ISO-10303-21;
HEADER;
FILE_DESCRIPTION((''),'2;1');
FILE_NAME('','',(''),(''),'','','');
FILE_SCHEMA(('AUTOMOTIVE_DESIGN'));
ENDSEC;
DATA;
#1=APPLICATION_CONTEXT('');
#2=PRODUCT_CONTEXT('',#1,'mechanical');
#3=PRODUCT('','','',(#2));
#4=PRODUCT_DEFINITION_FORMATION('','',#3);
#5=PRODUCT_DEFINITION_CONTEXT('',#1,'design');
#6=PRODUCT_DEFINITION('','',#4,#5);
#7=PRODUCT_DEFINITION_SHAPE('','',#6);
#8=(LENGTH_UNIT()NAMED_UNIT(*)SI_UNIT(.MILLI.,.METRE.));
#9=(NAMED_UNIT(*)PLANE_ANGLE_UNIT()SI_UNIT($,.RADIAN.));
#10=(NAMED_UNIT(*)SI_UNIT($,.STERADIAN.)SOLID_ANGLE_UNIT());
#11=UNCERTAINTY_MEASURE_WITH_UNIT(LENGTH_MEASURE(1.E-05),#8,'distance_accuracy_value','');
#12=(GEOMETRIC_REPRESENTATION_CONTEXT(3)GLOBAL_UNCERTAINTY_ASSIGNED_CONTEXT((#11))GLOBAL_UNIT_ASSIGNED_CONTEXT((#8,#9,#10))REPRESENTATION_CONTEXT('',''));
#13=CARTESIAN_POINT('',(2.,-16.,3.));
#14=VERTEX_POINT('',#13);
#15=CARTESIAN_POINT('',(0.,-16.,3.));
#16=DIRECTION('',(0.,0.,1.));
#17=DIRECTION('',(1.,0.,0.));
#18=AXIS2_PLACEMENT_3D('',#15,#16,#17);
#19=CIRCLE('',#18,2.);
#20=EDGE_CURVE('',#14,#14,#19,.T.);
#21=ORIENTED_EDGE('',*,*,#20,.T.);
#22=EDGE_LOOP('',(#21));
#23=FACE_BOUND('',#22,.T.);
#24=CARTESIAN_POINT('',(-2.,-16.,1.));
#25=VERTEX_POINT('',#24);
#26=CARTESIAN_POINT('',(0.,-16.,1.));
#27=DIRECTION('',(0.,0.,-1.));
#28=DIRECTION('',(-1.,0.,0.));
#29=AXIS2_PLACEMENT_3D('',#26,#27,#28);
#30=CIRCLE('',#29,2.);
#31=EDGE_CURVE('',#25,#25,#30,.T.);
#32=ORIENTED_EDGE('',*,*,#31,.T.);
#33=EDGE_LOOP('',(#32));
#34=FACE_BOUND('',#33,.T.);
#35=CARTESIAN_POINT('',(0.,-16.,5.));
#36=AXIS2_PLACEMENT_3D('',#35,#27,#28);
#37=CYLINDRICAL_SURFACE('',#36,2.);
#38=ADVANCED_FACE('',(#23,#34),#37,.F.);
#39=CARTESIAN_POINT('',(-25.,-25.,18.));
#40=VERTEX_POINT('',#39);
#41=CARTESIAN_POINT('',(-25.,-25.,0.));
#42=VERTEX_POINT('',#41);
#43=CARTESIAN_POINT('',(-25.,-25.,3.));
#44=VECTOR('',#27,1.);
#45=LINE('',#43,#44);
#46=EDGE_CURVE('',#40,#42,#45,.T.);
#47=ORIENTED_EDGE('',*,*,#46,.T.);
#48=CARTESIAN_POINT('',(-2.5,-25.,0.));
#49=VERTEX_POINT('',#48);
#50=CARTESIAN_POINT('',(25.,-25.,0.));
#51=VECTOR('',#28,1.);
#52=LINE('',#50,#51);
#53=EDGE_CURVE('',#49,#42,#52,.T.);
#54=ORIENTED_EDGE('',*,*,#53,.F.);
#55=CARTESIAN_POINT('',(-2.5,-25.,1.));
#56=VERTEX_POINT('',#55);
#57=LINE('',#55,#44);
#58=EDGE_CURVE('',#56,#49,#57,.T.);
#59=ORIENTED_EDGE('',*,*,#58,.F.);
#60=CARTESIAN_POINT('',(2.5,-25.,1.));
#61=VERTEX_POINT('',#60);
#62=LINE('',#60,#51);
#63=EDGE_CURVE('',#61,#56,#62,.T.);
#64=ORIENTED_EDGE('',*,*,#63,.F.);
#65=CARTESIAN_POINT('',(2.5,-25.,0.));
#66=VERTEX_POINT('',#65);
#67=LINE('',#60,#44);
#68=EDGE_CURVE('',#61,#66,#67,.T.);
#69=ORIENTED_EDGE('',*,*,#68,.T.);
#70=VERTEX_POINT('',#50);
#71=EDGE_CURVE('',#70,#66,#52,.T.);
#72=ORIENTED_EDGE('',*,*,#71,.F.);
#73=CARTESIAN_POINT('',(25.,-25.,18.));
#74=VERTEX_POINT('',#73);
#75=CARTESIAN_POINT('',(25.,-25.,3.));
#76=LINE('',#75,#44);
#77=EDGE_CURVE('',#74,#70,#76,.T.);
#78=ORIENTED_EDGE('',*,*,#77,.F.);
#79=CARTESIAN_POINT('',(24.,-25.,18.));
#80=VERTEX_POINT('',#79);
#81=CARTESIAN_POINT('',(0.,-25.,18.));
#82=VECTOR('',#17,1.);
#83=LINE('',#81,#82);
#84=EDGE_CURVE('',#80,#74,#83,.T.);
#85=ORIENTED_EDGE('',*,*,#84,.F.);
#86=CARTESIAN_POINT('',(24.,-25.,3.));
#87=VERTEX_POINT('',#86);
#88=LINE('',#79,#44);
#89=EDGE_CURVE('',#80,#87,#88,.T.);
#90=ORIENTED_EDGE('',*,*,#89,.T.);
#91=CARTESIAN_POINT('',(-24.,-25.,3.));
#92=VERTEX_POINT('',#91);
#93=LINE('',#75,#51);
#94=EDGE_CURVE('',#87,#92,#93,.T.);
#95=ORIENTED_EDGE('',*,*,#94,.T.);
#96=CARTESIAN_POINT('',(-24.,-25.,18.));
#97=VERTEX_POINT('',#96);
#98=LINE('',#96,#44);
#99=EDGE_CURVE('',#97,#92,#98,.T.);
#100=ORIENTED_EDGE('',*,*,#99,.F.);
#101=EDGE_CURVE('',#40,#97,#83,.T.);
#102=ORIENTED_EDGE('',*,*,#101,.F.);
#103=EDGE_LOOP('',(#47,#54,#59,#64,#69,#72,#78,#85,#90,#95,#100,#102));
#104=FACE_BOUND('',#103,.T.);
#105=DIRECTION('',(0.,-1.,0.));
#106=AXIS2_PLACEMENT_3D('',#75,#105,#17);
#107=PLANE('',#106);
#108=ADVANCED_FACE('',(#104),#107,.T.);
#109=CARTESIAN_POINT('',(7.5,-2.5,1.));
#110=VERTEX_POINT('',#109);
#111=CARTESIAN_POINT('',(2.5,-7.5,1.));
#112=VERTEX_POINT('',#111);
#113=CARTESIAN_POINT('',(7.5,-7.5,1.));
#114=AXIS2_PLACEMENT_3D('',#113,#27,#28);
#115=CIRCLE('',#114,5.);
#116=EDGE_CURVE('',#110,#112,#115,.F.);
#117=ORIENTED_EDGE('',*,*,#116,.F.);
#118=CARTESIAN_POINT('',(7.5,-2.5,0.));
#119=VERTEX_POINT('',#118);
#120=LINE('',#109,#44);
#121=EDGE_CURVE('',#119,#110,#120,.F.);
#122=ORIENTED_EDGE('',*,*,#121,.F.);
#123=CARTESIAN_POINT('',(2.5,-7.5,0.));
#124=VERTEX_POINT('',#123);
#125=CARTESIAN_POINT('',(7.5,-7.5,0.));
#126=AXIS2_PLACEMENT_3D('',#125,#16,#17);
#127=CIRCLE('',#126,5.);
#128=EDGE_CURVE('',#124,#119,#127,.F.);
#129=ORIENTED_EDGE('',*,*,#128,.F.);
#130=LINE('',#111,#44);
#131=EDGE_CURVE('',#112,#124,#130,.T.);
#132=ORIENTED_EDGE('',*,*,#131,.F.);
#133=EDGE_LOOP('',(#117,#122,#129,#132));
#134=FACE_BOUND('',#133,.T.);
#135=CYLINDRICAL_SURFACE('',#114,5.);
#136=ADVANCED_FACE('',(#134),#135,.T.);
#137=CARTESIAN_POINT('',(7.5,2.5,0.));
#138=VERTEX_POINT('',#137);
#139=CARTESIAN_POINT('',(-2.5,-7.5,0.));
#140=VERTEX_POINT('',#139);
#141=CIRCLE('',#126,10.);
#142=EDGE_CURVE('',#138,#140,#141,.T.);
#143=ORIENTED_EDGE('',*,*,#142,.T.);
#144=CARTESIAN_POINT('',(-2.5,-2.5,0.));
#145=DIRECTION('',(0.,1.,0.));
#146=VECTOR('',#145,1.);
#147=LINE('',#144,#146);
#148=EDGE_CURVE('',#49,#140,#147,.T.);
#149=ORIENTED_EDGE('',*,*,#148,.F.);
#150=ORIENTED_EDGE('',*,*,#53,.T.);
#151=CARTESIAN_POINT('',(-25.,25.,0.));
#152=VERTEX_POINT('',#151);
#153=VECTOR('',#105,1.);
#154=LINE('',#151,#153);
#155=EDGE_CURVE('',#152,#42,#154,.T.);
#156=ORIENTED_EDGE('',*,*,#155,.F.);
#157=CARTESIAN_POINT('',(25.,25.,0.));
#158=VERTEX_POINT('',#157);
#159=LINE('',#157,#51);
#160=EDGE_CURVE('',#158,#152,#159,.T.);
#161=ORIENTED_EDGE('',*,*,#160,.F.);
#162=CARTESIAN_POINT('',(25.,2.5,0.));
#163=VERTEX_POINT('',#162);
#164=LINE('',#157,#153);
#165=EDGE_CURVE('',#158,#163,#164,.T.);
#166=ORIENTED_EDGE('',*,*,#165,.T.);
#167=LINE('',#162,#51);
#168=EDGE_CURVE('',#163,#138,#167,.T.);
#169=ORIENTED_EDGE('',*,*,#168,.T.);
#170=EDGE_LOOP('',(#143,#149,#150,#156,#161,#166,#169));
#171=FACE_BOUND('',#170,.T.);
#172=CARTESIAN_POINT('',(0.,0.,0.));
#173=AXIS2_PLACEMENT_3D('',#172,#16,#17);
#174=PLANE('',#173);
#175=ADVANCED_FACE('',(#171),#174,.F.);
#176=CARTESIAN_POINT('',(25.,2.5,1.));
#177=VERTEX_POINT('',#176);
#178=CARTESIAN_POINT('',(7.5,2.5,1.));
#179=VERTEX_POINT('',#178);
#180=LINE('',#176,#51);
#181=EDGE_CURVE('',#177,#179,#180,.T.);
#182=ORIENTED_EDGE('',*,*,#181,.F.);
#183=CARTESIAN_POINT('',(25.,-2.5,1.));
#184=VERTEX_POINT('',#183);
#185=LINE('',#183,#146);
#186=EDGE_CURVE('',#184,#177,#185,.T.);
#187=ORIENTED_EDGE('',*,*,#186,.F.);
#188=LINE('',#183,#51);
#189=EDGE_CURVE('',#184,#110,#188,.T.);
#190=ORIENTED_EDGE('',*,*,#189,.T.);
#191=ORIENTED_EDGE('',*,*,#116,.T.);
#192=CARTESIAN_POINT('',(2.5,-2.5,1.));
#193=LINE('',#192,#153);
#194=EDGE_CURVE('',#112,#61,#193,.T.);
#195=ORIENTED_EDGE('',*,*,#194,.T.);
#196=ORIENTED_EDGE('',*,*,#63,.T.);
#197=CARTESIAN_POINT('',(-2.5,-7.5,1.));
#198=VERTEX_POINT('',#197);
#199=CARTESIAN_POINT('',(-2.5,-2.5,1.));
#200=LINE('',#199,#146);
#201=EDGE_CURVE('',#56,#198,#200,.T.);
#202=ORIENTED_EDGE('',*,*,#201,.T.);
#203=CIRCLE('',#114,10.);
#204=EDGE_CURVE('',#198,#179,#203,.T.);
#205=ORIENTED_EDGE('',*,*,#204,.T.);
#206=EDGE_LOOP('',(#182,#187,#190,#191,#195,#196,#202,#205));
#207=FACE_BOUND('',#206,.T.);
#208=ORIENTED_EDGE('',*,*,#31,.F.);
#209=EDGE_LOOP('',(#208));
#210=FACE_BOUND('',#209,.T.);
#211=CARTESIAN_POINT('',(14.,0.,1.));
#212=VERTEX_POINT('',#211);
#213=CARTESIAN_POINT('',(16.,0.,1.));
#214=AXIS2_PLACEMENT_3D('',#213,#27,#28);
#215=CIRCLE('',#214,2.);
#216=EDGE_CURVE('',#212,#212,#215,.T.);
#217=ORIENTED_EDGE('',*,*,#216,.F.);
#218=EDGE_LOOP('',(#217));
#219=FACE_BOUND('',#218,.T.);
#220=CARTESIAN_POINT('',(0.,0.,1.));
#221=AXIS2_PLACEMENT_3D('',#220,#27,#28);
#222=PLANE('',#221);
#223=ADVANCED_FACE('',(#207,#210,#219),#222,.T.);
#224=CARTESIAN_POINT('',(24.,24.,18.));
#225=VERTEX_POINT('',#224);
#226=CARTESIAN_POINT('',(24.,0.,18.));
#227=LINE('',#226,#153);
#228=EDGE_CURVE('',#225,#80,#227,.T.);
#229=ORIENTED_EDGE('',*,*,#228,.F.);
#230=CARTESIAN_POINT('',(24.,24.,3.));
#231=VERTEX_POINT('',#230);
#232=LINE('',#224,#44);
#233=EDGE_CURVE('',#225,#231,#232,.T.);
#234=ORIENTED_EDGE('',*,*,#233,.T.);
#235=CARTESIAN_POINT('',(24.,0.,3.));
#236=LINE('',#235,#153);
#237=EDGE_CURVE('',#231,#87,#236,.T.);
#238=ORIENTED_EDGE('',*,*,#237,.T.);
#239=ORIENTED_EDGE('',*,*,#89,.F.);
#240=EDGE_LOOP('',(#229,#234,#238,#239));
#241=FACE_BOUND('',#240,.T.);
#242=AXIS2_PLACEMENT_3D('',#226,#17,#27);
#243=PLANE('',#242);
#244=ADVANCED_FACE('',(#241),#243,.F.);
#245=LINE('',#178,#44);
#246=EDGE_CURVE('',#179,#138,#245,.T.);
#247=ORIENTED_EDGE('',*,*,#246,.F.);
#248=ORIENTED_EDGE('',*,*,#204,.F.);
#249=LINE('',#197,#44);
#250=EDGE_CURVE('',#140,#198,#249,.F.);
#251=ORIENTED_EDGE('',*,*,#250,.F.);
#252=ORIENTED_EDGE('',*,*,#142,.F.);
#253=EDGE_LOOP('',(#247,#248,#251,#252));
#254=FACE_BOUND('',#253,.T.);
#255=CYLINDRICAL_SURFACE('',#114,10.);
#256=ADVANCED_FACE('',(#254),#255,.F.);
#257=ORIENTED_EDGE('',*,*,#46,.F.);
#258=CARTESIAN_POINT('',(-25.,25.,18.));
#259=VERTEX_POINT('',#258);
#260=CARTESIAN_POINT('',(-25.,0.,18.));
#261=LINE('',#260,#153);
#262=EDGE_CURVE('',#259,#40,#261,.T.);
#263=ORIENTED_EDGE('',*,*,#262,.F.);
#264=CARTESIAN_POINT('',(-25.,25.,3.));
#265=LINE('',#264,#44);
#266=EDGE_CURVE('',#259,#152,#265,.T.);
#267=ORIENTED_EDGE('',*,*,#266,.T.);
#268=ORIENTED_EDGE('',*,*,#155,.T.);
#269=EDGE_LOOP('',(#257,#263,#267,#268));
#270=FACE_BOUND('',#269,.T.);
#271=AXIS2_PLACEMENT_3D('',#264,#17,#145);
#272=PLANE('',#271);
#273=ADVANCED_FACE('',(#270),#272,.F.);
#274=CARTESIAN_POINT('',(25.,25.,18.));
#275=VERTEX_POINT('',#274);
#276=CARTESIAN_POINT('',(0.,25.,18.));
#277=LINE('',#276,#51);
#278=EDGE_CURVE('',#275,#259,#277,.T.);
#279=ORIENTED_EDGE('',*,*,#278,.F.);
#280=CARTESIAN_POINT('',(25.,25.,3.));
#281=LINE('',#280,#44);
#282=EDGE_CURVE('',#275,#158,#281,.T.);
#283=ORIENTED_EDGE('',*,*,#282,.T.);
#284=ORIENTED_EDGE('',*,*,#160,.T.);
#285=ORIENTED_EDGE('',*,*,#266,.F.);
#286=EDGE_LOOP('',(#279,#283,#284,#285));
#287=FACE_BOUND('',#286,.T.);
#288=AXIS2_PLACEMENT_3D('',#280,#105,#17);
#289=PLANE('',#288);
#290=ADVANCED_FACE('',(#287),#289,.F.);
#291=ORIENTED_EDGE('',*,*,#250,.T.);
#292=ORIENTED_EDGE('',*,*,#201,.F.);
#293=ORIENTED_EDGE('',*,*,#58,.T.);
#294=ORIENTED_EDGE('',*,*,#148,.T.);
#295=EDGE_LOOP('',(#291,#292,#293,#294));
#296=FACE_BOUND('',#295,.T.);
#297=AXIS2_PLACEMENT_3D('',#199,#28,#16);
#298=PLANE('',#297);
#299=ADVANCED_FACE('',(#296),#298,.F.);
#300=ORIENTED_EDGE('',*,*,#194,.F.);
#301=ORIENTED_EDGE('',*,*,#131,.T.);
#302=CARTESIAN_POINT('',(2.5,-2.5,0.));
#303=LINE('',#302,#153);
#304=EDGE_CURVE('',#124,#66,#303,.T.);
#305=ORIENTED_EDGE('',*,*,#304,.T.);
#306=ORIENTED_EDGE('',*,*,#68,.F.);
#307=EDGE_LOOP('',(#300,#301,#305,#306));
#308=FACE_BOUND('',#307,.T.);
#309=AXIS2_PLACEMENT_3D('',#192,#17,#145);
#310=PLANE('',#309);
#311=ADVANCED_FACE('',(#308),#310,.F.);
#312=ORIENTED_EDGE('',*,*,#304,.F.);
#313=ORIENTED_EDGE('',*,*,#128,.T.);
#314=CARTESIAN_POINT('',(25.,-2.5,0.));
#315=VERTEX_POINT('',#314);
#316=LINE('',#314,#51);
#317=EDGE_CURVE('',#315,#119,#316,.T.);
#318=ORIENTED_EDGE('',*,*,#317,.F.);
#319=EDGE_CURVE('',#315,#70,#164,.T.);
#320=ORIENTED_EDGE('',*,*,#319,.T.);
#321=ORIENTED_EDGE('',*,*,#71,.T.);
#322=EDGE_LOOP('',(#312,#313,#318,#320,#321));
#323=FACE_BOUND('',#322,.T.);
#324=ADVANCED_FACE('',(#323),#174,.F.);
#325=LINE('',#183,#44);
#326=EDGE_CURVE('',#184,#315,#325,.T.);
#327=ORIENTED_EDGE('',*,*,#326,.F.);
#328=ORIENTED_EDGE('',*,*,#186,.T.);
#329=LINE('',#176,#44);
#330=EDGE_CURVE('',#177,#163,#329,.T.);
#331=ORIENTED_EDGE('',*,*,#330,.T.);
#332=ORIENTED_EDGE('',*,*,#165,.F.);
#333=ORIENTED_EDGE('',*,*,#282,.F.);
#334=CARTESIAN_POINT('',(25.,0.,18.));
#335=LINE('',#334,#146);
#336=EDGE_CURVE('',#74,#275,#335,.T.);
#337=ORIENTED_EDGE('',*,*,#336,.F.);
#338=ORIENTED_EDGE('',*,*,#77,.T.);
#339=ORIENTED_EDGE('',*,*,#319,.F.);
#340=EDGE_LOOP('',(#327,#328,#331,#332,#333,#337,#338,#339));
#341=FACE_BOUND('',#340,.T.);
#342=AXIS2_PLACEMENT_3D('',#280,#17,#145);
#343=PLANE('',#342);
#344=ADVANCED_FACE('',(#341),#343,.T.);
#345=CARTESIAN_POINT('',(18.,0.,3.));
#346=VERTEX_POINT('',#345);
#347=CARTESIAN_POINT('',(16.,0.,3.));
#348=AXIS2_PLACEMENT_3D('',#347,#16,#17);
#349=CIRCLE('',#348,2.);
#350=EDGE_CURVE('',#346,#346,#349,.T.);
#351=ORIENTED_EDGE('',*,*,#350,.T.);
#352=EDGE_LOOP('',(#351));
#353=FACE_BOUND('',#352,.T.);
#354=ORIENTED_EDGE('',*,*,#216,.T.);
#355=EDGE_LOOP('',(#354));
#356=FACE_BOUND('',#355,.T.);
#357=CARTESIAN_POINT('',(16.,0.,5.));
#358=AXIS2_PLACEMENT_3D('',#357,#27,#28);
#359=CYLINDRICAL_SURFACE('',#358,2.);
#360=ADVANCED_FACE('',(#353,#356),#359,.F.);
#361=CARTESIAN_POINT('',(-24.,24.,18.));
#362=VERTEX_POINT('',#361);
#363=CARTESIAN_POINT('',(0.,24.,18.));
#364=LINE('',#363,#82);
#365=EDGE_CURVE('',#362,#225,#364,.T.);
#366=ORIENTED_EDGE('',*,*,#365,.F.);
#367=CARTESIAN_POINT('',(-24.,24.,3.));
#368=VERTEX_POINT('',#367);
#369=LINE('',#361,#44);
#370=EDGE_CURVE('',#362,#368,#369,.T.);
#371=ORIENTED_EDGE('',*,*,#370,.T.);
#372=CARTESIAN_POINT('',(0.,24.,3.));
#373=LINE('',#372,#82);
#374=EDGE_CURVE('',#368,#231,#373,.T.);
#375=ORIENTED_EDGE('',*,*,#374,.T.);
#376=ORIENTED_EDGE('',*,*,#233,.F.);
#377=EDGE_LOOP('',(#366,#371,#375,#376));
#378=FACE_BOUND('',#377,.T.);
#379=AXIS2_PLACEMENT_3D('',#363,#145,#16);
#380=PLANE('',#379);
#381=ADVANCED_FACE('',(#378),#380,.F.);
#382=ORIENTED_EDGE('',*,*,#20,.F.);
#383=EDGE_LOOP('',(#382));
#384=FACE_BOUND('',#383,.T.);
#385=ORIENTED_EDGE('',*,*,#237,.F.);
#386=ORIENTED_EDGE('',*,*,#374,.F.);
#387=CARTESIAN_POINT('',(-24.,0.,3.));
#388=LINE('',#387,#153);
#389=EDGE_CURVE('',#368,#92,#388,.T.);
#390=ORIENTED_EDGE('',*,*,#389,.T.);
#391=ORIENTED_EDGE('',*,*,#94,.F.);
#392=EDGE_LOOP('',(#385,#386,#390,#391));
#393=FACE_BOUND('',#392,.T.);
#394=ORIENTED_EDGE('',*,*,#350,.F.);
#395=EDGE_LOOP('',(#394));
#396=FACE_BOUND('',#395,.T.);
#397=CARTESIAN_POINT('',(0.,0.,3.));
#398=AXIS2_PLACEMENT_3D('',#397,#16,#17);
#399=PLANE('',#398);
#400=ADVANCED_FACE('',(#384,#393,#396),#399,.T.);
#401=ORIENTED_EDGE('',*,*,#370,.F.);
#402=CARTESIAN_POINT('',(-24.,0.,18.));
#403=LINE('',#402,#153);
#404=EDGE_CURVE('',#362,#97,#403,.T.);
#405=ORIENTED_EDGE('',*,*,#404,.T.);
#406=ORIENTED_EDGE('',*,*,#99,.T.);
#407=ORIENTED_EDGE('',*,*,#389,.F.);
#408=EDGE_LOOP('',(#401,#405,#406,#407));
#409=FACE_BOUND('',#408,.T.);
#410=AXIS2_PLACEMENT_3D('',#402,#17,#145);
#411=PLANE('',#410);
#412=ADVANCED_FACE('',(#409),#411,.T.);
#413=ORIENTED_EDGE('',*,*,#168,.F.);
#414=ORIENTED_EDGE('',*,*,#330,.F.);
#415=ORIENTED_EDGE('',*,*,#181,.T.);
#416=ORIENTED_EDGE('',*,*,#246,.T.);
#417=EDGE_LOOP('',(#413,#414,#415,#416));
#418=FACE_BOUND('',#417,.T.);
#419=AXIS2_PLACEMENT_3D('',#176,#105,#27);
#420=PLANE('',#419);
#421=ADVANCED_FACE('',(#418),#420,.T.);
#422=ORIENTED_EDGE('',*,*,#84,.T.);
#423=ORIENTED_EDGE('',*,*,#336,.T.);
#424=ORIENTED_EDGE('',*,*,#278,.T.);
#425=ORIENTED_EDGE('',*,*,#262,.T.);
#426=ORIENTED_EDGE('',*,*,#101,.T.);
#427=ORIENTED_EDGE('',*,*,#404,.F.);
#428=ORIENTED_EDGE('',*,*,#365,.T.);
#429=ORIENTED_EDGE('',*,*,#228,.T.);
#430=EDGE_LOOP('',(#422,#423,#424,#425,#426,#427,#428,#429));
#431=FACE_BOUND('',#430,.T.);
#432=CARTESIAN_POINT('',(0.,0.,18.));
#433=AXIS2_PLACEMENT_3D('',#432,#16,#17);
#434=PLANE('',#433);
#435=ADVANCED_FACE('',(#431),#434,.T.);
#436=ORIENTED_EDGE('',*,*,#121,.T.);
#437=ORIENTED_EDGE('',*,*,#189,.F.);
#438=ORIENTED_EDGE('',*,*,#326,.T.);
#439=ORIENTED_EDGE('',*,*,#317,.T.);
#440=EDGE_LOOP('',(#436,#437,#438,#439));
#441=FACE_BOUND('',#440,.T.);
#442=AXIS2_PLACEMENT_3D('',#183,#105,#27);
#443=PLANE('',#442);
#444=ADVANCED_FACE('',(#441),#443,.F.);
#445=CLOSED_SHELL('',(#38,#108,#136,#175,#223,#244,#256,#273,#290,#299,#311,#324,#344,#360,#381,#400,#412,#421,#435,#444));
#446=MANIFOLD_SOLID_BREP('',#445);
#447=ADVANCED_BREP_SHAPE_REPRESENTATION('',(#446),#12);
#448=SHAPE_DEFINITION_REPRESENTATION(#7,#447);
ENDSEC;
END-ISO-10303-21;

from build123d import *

# Parameters (mm, degrees)
SKICA1_W                 = 50
SKICA1_H                 = 50
P_IDAT_VYSUNUT_M2_DEPTH  = 3
SKICA5_W                 = 5
SKICA5_H                 = 22.5
ODEBRAT_VYSUNUT_M3_DEPTH = 1
P_IDAT_VYSUNUT_M9_DEPTH  = 15
SKICA17_R                = 2
ODEBRAT_VYSUNUT_M8_DEPTH = 4
ZAOBLIT1_R               = 10
ZAOBLIT2_R               = 5


with BuildPart() as part:
    # Skica1 → Přidat vysunutím2 (new body)
    with BuildSketch(Plane.XY):
        Rectangle(SKICA1_W, SKICA1_H)
    extrude(amount=P_IDAT_VYSUNUT_M2_DEPTH)

    # Skica5 → Odebrat vysunutím3 (cut)
    with BuildSketch(Plane(origin=(0, 0, 0), x_dir=(-1, 0, 0), z_dir=(0, 0, -1))):
        Polygon((-25, -2.5), (-2.5, -2.5), (2.5, -2.5), (2.5, 2.5), (-25, 2.5), align=None)
        with Locations((0, -13.75)):
            Rectangle(SKICA5_W, SKICA5_H)
    extrude(amount=-ODEBRAT_VYSUNUT_M3_DEPTH, mode=Mode.SUBTRACT)

    # Skica14 → Přidat vysunutím9 (add)
    with BuildSketch(Plane.XY.offset(3)):
        Polygon((25, 25), (-25, 25), (-25, -25), (-24, -25), (-24, 24), (24, 24), (24, -25), (25, -25), align=None)
    extrude(amount=P_IDAT_VYSUNUT_M9_DEPTH)

    # Skica17 → Odebrat vysunutím8 (cut)
    with BuildSketch(Plane(origin=(0, 0, 1), x_dir=(-1, 0, 0), z_dir=(0, 0, -1))):
        with Locations((-16, 0)):
            Circle(SKICA17_R)
        with Locations((0, -16)):
            Circle(SKICA17_R)
    extrude(amount=-ODEBRAT_VYSUNUT_M8_DEPTH, mode=Mode.SUBTRACT)

    # Zaoblit1
    zaoblit1_edges = [part.edges().sort_by_distance(p)[0] for p in [
        (-2.5, 2.5, 0.5),
    ]]
    fillet(zaoblit1_edges, radius=ZAOBLIT1_R)

    # Zaoblit2
    zaoblit2_edges = [part.edges().sort_by_distance(p)[0] for p in [
        (2.5, -2.5, 0.5),
    ]]
    fillet(zaoblit2_edges, radius=ZAOBLIT2_R)


solid = part.part
